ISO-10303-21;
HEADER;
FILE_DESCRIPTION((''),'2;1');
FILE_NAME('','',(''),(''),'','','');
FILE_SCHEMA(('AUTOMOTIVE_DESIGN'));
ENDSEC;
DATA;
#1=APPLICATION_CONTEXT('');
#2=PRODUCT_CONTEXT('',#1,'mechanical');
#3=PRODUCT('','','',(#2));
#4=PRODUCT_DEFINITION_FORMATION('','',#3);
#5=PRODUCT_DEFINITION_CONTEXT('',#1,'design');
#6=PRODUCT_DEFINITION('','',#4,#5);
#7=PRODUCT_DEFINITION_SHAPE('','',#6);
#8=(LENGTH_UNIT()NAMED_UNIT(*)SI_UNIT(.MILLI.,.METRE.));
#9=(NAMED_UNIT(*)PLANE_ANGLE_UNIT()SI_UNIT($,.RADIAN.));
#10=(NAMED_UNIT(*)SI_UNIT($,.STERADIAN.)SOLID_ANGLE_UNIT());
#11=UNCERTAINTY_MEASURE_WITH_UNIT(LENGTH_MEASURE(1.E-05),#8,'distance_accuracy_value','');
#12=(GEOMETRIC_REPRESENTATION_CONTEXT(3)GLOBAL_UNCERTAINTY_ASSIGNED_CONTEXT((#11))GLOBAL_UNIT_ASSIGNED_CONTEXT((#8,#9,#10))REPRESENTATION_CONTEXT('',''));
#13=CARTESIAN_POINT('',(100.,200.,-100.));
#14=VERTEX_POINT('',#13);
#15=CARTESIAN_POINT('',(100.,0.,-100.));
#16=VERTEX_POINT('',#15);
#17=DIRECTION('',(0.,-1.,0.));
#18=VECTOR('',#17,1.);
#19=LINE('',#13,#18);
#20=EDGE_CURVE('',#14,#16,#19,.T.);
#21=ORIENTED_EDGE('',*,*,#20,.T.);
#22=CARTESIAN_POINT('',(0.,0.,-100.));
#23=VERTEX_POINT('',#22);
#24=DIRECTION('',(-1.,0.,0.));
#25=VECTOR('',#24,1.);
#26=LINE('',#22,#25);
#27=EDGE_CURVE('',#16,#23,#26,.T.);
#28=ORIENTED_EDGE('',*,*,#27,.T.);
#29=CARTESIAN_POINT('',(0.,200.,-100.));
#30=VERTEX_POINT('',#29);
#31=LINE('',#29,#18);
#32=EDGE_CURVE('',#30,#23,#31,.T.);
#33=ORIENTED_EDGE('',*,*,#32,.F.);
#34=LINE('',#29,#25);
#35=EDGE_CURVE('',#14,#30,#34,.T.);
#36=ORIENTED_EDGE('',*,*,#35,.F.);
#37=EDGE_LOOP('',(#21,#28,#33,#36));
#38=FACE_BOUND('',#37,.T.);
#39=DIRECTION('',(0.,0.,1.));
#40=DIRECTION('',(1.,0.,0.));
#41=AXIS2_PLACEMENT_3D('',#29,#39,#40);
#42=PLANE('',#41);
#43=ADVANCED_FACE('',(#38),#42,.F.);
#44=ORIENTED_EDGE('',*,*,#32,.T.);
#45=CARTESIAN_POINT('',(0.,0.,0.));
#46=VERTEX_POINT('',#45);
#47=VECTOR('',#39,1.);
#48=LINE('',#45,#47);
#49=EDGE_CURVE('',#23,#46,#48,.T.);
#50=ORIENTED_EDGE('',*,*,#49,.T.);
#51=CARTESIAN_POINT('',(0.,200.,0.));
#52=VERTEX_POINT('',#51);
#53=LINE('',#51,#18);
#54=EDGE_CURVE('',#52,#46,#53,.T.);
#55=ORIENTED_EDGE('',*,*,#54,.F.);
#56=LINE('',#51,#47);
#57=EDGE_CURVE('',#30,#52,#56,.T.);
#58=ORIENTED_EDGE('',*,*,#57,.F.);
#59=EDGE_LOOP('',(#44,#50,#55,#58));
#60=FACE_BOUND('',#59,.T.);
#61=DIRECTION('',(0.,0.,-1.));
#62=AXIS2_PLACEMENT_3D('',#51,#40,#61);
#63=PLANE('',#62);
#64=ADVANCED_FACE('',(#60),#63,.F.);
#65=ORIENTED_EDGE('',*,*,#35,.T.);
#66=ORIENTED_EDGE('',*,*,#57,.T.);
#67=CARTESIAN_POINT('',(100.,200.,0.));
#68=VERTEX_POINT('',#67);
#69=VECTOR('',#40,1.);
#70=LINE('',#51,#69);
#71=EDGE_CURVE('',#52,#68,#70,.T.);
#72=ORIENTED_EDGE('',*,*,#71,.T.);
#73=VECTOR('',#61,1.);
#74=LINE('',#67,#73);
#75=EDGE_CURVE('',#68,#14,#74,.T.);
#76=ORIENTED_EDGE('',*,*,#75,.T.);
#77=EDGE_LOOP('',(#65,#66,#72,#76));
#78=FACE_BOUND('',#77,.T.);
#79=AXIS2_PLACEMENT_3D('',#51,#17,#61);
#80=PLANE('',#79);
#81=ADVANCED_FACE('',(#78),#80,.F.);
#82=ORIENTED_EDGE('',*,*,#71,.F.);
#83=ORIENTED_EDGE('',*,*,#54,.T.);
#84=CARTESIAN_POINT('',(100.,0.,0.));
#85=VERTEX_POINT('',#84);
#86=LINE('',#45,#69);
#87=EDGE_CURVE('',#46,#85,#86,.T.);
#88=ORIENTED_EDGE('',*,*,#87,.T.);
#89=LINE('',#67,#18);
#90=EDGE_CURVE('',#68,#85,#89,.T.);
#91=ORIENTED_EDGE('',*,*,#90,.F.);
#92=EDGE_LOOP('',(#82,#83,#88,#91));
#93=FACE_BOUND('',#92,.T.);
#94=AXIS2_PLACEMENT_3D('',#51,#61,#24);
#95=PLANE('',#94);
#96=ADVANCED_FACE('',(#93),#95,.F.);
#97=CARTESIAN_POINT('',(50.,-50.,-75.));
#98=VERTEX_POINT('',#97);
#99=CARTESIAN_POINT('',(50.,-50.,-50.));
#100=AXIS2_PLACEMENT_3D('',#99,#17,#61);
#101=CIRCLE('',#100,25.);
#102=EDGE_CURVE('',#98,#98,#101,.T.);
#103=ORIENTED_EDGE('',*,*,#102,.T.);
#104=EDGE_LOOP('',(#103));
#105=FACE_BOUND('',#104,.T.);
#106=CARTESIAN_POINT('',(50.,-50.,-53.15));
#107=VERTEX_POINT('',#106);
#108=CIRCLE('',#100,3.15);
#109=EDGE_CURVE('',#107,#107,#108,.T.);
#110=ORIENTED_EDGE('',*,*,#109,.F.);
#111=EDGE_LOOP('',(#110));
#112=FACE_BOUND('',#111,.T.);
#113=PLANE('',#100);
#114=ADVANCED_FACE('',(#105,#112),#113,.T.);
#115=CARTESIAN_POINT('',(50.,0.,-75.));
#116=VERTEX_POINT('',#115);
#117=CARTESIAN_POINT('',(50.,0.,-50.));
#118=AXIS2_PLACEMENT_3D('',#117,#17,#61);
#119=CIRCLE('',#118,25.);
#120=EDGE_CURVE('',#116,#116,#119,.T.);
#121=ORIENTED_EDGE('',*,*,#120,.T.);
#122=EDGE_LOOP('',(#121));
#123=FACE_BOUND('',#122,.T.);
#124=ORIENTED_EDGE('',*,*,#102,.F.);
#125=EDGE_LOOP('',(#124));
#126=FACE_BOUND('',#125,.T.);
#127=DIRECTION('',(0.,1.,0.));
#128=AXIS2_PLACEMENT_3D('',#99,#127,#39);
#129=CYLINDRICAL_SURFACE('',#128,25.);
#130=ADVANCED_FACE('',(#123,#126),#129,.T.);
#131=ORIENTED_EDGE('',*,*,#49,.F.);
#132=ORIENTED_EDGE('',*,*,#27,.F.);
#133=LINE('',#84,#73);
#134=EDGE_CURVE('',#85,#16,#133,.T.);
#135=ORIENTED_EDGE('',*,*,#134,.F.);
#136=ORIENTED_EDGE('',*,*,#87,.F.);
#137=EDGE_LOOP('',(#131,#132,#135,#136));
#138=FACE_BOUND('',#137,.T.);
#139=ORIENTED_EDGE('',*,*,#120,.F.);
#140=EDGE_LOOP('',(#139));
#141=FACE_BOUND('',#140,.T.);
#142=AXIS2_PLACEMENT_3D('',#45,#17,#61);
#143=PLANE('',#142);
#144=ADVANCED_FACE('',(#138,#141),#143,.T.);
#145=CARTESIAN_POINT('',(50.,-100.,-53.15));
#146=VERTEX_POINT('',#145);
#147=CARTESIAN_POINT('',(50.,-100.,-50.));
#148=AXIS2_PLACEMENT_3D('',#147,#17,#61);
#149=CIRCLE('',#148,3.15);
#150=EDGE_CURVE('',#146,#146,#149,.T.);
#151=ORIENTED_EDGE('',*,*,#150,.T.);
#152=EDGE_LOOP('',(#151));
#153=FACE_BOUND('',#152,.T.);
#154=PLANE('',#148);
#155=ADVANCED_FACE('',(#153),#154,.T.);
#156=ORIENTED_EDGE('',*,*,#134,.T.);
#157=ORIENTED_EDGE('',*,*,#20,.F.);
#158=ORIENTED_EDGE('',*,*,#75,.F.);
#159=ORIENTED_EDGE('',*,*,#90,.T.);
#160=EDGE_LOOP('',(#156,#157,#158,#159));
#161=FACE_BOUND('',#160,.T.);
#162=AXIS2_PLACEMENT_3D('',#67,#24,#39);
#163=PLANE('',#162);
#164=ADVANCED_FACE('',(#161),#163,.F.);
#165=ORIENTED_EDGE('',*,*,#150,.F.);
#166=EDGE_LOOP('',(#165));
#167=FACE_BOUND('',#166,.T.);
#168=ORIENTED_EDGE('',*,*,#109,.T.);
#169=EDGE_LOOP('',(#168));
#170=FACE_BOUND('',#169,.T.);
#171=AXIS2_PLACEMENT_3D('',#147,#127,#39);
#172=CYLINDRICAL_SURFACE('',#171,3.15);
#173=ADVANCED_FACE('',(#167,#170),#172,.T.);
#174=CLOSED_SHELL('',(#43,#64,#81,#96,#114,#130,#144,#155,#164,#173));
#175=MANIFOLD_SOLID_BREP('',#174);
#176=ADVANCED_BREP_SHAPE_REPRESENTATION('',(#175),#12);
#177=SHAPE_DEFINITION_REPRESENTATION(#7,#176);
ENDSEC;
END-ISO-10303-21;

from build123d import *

# Parameters (mm, degrees)
SKETCH1_W           = 100
SKETCH1_H           = 100
BOSS_EXTRUDE1_DEPTH = 200
SKETCH2_R           = 25
BOSS_EXTRUDE2_DEPTH = 50
SKETCH3_R           = 3.15
BOSS_EXTRUDE3_DEPTH = 50


with BuildPart() as part:
    # Sketch1 → Boss-Extrude1 (new body)
    with BuildSketch(Plane(origin=(0, 0, 0), x_dir=(1, 0, 0), z_dir=(0, 1, 0))):
        with Locations((50, 50)):
            Rectangle(SKETCH1_W, SKETCH1_H)
    extrude(amount=BOSS_EXTRUDE1_DEPTH)

    # Sketch2 → Boss-Extrude2 (add)
    with BuildSketch(Plane.XZ):
        with Locations(Location((50, -50, 0), (0, 0, 270))):
            Circle(SKETCH2_R)
    extrude(amount=BOSS_EXTRUDE2_DEPTH)

    # Sketch3 → Boss-Extrude3 (add)
    with BuildSketch(Plane.XZ.offset(50)):
        with Locations(Location((50, -50, 0), (0, 0, 270))):
            Circle(SKETCH3_R)
    extrude(amount=BOSS_EXTRUDE3_DEPTH)


solid = part.part
